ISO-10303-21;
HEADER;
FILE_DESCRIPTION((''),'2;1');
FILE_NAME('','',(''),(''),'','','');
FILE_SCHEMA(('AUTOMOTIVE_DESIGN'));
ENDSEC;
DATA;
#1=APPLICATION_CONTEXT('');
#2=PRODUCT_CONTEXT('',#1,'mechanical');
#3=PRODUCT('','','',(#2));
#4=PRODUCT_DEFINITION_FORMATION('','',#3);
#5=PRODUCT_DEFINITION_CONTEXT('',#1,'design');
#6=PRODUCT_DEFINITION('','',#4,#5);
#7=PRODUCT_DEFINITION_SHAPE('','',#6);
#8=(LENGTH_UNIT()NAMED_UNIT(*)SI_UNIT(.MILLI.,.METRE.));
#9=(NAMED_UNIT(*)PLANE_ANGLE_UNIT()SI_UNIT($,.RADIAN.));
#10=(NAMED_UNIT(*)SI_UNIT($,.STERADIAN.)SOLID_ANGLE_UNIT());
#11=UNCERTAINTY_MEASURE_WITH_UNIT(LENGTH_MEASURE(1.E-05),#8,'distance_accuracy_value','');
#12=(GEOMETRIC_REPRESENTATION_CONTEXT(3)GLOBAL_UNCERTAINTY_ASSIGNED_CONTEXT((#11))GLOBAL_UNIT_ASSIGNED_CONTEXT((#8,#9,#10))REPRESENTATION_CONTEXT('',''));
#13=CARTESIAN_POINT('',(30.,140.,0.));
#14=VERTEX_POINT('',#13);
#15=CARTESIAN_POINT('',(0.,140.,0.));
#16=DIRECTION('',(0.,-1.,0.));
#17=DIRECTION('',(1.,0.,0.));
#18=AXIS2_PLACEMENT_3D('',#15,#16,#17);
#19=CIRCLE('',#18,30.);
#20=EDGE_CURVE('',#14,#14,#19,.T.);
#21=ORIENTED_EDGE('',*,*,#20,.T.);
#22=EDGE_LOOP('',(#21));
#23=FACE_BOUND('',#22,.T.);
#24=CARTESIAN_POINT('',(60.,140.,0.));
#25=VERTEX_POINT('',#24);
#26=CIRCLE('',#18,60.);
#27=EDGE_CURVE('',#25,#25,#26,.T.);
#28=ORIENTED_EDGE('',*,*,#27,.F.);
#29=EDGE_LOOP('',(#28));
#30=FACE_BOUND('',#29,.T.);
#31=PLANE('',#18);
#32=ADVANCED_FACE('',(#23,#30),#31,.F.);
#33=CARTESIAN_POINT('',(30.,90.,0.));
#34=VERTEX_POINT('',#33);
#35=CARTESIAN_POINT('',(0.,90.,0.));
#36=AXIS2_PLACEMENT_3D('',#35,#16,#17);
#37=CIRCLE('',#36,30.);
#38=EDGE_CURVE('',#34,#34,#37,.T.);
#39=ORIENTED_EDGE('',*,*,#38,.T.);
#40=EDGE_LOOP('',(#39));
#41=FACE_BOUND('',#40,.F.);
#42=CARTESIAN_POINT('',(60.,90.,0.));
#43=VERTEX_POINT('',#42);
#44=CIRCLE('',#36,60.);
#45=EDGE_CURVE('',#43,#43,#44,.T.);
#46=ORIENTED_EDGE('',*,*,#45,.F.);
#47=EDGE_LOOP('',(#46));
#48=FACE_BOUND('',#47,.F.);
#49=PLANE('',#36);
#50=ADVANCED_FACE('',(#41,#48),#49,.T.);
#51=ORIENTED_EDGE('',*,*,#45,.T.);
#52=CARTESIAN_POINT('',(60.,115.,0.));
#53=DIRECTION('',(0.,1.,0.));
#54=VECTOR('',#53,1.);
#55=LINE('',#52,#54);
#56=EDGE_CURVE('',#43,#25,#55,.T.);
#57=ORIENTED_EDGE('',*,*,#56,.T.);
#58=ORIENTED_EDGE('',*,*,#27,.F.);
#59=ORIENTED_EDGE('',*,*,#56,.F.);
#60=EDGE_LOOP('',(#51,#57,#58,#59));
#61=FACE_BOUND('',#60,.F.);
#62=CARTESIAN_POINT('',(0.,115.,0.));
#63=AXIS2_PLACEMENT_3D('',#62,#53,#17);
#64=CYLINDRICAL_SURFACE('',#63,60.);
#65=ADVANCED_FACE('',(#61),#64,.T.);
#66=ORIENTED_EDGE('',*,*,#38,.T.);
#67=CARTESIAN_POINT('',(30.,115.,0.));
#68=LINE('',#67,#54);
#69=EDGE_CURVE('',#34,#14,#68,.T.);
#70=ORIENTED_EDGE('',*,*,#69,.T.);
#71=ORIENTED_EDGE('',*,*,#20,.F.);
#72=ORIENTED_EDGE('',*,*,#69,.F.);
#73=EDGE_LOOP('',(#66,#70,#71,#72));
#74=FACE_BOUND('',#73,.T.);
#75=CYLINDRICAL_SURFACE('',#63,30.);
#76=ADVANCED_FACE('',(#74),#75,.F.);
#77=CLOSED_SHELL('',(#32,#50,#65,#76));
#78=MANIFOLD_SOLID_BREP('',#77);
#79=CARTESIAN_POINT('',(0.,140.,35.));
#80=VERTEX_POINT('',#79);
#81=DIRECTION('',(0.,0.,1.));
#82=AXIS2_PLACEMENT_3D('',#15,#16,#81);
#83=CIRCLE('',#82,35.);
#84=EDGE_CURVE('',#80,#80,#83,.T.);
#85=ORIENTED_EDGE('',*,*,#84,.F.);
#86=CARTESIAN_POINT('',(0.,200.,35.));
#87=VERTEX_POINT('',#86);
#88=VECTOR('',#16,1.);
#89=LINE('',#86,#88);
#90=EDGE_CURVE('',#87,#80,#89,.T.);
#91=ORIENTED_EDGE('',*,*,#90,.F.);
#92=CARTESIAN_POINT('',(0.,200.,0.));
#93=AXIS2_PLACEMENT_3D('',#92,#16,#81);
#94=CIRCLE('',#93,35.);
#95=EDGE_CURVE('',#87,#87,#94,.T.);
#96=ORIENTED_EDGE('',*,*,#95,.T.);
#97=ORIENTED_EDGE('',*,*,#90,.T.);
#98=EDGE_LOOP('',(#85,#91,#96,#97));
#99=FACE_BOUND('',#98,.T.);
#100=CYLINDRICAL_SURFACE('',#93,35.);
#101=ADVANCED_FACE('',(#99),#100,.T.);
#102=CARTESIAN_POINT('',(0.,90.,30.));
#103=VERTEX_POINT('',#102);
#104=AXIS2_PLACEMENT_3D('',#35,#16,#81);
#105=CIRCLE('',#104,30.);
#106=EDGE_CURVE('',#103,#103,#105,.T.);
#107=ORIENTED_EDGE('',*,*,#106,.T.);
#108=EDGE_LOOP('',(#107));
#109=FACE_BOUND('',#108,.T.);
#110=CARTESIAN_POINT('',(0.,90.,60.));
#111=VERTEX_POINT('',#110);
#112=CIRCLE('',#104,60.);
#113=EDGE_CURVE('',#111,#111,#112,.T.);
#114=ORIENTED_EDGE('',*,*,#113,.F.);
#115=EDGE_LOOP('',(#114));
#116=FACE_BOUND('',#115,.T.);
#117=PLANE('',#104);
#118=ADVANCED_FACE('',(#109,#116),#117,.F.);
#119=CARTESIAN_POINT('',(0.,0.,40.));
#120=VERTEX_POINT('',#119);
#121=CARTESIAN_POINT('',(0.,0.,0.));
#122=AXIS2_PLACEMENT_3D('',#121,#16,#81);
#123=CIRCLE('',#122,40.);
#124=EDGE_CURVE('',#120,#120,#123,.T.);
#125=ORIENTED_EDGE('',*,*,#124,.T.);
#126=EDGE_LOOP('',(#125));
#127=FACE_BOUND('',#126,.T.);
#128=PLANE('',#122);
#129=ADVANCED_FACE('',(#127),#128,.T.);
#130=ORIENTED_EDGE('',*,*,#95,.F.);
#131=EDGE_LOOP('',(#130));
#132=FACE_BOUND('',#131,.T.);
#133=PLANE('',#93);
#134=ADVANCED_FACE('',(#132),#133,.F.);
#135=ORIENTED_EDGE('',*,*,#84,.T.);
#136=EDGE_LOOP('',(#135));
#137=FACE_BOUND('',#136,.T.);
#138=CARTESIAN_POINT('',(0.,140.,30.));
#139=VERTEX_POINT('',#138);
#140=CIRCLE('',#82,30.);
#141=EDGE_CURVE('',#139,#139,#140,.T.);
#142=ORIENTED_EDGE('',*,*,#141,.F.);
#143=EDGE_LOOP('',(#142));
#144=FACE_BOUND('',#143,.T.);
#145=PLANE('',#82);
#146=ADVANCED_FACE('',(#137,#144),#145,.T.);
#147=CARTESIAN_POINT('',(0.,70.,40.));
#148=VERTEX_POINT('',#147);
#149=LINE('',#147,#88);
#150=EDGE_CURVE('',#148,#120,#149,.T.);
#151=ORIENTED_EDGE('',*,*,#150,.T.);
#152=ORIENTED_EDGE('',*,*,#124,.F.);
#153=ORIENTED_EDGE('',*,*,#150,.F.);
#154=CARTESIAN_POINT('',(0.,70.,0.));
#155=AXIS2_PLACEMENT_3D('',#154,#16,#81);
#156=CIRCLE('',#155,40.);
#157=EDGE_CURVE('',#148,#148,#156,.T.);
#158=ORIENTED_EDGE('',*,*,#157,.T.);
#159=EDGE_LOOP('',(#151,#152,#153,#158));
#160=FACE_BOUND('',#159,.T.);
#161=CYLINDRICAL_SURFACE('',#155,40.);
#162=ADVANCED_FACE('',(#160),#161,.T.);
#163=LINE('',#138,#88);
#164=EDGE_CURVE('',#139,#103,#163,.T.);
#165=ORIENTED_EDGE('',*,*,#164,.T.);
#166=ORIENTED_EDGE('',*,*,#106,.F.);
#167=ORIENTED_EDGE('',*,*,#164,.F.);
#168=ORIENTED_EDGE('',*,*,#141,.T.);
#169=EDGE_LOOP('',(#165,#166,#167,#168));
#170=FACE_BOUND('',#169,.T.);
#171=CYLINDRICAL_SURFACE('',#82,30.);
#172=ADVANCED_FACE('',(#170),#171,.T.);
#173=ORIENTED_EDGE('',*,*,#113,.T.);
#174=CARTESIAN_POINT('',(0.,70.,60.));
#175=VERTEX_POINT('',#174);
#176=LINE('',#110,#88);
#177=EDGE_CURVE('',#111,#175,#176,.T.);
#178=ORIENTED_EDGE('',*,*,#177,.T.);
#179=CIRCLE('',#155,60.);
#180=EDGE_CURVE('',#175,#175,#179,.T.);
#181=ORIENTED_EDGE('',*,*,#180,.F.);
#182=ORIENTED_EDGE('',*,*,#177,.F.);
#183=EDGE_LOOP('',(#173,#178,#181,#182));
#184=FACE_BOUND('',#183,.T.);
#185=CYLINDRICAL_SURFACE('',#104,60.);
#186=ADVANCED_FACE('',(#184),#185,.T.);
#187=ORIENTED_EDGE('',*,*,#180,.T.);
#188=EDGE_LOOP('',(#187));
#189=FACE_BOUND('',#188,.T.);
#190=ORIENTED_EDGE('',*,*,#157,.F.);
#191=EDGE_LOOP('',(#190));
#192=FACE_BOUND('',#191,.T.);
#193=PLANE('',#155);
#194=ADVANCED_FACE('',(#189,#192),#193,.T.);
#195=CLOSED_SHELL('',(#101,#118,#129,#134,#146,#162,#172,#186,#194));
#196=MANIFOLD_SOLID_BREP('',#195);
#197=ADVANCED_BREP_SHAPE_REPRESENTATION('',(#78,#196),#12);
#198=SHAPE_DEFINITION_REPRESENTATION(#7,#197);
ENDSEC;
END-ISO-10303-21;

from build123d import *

# Parameters (mm, degrees)
F2_W = 30
F2_H = 50


with BuildPart() as f1:
    # F0 (on Right) → F1 (revolve)
    with BuildSketch(Plane.YZ):
        Polygon((0, 40), (0, 0), (200, 0), (200, 35), (140, 35), (140, 30), (90, 30), (90, 60), (70, 60), (70, 40), align=None)
    revolve(axis=Axis((0, 100, 0), (0, -1, 0)))


with BuildPart() as f3:
    # F2 (on Top) → F3 (revolve)
    with BuildSketch(Plane.XY):
        with Locations((45, 115)):
            Rectangle(F2_W, F2_H)
    revolve(axis=Axis((0, 140, 0), (0, -1, 0)))


solid = Compound([f1.part, f3.part])
